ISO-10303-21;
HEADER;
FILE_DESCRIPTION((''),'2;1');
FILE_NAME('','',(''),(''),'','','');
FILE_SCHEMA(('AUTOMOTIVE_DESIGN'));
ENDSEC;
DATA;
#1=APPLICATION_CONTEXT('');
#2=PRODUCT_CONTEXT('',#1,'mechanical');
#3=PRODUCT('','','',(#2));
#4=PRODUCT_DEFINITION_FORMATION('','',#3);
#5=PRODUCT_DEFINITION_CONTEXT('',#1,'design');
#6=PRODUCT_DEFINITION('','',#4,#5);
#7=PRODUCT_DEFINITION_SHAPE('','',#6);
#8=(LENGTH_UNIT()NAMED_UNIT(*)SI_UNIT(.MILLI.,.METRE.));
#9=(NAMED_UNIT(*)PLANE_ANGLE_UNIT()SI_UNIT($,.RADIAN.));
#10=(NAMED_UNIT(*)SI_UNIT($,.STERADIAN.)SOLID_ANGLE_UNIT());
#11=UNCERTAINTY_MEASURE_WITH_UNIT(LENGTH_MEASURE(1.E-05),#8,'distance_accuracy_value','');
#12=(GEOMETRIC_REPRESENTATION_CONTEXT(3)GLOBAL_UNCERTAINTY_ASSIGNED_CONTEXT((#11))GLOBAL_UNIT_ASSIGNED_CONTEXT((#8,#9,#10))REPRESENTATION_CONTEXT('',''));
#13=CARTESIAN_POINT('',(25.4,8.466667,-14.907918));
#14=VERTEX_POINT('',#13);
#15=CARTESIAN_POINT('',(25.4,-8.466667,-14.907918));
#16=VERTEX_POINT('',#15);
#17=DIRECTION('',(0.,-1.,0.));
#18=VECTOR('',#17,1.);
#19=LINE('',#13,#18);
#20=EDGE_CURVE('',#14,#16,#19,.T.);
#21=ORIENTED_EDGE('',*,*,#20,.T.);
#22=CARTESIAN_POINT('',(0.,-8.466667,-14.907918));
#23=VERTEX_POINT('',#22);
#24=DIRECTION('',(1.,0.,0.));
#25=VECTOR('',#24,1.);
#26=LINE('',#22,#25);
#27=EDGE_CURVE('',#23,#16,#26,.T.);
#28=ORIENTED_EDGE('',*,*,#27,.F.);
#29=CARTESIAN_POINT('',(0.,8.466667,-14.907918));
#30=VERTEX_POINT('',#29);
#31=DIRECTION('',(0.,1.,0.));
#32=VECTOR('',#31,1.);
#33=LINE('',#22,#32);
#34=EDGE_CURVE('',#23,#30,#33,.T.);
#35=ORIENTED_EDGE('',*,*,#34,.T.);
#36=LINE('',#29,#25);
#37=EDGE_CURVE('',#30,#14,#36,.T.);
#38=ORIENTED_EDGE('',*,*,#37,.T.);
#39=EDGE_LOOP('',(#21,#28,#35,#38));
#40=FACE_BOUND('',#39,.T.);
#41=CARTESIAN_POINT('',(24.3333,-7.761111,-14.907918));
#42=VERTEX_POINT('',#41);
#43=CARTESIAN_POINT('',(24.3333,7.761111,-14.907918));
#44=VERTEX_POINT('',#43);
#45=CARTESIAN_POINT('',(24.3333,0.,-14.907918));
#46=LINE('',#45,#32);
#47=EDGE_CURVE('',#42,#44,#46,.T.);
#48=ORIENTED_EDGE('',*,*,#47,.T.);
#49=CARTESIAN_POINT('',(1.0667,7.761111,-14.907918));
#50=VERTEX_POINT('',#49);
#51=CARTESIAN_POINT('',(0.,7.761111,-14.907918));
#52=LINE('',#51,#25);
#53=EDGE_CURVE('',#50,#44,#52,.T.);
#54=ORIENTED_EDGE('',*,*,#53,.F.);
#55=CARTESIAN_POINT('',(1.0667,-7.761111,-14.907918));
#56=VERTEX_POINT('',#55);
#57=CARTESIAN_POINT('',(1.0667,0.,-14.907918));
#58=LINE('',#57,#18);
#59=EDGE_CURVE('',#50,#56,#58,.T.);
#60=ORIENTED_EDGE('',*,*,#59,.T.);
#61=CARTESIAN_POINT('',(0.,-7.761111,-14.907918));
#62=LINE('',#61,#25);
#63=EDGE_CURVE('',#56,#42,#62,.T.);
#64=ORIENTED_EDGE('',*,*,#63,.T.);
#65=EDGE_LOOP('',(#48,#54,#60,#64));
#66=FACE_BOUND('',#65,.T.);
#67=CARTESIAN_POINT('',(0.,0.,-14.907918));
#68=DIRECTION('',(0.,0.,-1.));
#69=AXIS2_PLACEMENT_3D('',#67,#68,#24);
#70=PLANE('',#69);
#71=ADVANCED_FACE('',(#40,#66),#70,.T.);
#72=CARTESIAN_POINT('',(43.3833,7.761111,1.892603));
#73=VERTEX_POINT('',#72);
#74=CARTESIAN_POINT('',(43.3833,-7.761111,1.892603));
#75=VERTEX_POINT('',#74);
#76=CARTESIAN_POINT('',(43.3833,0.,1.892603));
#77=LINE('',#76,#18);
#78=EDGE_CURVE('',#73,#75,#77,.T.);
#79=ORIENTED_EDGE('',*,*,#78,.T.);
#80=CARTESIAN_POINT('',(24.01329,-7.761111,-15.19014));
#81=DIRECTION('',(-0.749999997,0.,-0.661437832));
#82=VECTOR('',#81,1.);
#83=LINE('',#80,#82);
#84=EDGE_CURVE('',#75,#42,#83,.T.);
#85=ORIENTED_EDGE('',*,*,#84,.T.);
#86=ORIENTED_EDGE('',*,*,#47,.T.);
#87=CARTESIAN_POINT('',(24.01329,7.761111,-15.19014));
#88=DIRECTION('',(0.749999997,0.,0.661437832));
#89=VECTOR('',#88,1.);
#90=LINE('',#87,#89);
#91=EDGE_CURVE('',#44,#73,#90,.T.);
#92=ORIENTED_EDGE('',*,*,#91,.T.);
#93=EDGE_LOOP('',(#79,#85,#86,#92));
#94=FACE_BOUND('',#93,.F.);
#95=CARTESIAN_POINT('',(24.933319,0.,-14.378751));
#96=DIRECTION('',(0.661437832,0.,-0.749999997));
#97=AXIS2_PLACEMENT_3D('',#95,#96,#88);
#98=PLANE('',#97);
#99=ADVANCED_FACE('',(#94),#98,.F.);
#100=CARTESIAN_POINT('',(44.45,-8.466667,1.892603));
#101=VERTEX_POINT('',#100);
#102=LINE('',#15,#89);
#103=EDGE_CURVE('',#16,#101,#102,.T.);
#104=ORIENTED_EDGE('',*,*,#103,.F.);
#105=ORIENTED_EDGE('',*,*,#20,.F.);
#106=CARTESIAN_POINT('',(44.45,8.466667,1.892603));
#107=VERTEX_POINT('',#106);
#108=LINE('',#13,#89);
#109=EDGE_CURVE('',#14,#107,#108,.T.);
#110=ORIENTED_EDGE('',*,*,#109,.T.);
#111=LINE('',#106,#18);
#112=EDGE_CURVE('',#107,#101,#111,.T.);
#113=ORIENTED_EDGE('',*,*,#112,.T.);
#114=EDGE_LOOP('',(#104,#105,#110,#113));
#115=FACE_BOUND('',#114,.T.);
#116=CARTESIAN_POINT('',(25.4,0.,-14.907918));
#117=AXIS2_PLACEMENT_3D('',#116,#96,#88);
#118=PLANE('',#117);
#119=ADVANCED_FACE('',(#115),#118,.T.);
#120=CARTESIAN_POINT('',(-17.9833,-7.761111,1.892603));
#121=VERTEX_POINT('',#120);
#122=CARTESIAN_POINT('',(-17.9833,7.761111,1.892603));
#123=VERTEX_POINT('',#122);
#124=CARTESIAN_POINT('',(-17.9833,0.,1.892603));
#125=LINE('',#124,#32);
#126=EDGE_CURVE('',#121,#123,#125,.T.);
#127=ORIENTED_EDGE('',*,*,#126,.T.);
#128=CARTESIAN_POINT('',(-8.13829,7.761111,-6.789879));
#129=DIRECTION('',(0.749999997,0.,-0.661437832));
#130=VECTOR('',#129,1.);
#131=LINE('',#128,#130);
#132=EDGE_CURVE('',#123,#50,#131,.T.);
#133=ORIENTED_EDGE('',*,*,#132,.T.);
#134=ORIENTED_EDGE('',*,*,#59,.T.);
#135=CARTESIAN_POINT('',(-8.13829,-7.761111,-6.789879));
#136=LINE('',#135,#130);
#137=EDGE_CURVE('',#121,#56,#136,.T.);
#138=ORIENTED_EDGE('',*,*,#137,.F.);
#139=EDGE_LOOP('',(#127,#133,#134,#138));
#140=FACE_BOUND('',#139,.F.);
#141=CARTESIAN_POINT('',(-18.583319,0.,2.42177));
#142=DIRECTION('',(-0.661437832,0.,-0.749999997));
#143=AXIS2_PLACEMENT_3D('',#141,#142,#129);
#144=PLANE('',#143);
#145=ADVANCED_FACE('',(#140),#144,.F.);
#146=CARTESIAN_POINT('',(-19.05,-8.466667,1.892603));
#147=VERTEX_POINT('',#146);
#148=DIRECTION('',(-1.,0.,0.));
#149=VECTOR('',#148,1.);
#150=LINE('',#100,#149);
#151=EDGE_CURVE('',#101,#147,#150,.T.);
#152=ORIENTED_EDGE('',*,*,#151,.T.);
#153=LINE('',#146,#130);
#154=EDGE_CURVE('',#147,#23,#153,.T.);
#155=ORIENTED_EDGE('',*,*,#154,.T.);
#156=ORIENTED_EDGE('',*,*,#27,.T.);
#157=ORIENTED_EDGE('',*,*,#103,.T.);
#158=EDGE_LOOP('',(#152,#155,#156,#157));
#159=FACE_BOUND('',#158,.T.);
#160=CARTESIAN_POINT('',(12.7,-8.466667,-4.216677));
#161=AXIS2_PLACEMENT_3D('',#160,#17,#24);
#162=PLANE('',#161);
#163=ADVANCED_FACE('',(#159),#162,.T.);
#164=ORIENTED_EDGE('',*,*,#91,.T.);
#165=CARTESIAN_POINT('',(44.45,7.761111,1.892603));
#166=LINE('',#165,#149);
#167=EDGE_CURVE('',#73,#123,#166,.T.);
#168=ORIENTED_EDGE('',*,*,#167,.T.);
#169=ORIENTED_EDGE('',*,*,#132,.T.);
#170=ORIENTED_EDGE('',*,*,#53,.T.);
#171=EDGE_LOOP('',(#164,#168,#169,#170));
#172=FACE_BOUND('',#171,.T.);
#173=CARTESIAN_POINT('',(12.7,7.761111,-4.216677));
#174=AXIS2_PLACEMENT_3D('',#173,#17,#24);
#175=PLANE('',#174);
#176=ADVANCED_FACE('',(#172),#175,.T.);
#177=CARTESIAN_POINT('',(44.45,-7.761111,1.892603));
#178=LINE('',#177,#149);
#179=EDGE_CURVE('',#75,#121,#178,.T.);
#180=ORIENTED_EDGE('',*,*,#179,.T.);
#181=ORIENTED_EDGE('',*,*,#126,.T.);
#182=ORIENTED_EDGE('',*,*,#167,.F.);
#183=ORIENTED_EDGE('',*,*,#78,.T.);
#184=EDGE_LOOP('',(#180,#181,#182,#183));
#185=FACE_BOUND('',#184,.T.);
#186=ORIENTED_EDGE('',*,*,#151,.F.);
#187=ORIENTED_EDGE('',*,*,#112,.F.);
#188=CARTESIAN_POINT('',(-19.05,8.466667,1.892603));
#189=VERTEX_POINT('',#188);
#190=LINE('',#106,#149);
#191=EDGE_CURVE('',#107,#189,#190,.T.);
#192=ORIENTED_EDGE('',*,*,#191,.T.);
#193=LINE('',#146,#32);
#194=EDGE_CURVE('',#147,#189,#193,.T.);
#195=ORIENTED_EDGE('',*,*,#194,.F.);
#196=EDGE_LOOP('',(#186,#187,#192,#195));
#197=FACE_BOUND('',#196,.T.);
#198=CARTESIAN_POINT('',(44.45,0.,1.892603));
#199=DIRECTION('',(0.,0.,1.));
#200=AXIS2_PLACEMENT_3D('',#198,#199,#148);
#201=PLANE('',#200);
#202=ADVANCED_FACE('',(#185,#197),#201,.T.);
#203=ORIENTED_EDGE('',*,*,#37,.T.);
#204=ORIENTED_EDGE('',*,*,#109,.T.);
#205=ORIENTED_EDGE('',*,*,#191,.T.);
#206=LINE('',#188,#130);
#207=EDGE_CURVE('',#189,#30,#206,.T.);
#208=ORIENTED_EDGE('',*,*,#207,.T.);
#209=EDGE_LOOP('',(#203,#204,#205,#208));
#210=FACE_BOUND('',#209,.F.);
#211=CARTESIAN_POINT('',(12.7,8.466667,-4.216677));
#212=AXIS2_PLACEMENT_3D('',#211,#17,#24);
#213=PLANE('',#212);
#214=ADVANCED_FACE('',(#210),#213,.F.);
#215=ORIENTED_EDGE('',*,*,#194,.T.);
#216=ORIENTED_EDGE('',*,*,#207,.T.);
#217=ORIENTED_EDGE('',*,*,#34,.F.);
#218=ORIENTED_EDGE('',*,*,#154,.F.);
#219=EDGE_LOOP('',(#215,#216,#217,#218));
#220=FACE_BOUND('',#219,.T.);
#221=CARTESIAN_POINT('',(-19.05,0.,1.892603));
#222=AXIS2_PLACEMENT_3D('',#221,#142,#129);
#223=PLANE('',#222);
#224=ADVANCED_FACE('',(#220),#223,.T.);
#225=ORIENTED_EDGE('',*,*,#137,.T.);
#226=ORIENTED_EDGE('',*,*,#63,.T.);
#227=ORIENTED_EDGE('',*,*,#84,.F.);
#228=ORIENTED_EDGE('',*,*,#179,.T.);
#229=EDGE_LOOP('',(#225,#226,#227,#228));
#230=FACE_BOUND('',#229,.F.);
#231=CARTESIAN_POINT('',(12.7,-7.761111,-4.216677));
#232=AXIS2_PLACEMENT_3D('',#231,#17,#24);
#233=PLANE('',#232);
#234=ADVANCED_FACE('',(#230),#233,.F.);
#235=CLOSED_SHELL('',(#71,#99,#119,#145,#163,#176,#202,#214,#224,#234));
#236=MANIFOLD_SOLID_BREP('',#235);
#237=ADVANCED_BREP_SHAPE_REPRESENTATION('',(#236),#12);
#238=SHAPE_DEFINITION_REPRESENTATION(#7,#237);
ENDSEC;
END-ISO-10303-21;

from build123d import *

# Parameters (mm, degrees)
F1_DEPTH = 8.466667
F2_T     = -0.705556


with BuildPart() as f1:
    # F0 (on Front) → F1 (new body, symmetric)
    with BuildSketch(Plane.XZ):
        Polygon((0, -14.907918), (25.4, -14.907918), (44.45, 1.892603), (-19.05, 1.892603), align=None)
    extrude(amount=F1_DEPTH, both=True)

    # F2
    f2_openings = [f1.faces().sort_by_distance(p)[0] for p in [
        (12.7, 0, 1.892603),
        (12.7, 0, -14.907918),
    ]]
    offset(amount=F2_T, openings=f2_openings)


solid = f1.part
